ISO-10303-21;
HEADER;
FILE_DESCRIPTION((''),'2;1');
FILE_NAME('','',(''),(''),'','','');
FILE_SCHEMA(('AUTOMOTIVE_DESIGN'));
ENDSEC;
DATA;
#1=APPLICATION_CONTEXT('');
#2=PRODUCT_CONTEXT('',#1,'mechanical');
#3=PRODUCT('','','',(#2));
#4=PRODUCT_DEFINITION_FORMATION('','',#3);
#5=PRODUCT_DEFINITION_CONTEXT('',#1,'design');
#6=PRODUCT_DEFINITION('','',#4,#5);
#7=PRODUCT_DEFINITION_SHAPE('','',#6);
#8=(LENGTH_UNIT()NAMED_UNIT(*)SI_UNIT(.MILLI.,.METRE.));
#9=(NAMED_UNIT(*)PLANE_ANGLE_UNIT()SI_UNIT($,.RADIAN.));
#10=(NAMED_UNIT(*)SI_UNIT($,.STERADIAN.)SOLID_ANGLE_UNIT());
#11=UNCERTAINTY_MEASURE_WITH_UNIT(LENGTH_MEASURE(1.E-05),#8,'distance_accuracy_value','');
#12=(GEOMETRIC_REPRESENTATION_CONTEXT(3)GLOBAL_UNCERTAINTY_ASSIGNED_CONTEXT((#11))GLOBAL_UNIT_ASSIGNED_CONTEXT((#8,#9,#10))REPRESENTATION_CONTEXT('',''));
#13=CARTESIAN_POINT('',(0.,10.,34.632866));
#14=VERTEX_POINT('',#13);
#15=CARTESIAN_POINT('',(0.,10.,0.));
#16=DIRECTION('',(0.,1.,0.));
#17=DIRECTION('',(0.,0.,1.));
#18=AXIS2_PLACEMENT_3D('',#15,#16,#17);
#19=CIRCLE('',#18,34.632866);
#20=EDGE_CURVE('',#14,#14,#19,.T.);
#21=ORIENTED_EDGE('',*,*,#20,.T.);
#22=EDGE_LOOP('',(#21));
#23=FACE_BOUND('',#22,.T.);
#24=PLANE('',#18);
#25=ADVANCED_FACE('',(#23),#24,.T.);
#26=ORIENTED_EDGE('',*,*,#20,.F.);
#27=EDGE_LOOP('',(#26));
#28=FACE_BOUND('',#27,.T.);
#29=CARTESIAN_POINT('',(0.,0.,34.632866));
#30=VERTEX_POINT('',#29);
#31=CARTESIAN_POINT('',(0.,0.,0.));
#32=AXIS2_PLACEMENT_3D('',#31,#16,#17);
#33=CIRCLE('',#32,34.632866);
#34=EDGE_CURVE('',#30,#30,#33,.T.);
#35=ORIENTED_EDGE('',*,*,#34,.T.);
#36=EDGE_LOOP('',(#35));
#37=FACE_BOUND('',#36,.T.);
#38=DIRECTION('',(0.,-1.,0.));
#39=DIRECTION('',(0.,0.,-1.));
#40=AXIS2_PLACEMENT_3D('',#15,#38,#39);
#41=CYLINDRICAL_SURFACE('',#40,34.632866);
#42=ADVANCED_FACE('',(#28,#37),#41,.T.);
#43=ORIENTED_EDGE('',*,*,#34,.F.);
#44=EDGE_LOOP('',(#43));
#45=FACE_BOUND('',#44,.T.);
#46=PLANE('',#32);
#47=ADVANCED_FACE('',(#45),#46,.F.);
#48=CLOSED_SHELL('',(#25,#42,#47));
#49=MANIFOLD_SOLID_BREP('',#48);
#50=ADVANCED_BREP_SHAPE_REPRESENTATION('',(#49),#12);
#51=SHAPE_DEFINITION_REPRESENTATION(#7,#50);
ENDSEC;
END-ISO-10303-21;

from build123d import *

# Parameters (mm, degrees)
SKETCH1_R           = 34.632866175
BOSS_EXTRUDE1_DEPTH = 10


with BuildPart() as part:
    # Sketch1 → Boss-Extrude1 (new body)
    with BuildSketch(Plane(origin=(0, 0, 0), x_dir=(1, 0, 0), z_dir=(0, 1, 0))):
        with Locations(Location((0, 0, 0), (0, 0, 270))):
            Circle(SKETCH1_R)
    extrude(amount=BOSS_EXTRUDE1_DEPTH)


solid = part.part
